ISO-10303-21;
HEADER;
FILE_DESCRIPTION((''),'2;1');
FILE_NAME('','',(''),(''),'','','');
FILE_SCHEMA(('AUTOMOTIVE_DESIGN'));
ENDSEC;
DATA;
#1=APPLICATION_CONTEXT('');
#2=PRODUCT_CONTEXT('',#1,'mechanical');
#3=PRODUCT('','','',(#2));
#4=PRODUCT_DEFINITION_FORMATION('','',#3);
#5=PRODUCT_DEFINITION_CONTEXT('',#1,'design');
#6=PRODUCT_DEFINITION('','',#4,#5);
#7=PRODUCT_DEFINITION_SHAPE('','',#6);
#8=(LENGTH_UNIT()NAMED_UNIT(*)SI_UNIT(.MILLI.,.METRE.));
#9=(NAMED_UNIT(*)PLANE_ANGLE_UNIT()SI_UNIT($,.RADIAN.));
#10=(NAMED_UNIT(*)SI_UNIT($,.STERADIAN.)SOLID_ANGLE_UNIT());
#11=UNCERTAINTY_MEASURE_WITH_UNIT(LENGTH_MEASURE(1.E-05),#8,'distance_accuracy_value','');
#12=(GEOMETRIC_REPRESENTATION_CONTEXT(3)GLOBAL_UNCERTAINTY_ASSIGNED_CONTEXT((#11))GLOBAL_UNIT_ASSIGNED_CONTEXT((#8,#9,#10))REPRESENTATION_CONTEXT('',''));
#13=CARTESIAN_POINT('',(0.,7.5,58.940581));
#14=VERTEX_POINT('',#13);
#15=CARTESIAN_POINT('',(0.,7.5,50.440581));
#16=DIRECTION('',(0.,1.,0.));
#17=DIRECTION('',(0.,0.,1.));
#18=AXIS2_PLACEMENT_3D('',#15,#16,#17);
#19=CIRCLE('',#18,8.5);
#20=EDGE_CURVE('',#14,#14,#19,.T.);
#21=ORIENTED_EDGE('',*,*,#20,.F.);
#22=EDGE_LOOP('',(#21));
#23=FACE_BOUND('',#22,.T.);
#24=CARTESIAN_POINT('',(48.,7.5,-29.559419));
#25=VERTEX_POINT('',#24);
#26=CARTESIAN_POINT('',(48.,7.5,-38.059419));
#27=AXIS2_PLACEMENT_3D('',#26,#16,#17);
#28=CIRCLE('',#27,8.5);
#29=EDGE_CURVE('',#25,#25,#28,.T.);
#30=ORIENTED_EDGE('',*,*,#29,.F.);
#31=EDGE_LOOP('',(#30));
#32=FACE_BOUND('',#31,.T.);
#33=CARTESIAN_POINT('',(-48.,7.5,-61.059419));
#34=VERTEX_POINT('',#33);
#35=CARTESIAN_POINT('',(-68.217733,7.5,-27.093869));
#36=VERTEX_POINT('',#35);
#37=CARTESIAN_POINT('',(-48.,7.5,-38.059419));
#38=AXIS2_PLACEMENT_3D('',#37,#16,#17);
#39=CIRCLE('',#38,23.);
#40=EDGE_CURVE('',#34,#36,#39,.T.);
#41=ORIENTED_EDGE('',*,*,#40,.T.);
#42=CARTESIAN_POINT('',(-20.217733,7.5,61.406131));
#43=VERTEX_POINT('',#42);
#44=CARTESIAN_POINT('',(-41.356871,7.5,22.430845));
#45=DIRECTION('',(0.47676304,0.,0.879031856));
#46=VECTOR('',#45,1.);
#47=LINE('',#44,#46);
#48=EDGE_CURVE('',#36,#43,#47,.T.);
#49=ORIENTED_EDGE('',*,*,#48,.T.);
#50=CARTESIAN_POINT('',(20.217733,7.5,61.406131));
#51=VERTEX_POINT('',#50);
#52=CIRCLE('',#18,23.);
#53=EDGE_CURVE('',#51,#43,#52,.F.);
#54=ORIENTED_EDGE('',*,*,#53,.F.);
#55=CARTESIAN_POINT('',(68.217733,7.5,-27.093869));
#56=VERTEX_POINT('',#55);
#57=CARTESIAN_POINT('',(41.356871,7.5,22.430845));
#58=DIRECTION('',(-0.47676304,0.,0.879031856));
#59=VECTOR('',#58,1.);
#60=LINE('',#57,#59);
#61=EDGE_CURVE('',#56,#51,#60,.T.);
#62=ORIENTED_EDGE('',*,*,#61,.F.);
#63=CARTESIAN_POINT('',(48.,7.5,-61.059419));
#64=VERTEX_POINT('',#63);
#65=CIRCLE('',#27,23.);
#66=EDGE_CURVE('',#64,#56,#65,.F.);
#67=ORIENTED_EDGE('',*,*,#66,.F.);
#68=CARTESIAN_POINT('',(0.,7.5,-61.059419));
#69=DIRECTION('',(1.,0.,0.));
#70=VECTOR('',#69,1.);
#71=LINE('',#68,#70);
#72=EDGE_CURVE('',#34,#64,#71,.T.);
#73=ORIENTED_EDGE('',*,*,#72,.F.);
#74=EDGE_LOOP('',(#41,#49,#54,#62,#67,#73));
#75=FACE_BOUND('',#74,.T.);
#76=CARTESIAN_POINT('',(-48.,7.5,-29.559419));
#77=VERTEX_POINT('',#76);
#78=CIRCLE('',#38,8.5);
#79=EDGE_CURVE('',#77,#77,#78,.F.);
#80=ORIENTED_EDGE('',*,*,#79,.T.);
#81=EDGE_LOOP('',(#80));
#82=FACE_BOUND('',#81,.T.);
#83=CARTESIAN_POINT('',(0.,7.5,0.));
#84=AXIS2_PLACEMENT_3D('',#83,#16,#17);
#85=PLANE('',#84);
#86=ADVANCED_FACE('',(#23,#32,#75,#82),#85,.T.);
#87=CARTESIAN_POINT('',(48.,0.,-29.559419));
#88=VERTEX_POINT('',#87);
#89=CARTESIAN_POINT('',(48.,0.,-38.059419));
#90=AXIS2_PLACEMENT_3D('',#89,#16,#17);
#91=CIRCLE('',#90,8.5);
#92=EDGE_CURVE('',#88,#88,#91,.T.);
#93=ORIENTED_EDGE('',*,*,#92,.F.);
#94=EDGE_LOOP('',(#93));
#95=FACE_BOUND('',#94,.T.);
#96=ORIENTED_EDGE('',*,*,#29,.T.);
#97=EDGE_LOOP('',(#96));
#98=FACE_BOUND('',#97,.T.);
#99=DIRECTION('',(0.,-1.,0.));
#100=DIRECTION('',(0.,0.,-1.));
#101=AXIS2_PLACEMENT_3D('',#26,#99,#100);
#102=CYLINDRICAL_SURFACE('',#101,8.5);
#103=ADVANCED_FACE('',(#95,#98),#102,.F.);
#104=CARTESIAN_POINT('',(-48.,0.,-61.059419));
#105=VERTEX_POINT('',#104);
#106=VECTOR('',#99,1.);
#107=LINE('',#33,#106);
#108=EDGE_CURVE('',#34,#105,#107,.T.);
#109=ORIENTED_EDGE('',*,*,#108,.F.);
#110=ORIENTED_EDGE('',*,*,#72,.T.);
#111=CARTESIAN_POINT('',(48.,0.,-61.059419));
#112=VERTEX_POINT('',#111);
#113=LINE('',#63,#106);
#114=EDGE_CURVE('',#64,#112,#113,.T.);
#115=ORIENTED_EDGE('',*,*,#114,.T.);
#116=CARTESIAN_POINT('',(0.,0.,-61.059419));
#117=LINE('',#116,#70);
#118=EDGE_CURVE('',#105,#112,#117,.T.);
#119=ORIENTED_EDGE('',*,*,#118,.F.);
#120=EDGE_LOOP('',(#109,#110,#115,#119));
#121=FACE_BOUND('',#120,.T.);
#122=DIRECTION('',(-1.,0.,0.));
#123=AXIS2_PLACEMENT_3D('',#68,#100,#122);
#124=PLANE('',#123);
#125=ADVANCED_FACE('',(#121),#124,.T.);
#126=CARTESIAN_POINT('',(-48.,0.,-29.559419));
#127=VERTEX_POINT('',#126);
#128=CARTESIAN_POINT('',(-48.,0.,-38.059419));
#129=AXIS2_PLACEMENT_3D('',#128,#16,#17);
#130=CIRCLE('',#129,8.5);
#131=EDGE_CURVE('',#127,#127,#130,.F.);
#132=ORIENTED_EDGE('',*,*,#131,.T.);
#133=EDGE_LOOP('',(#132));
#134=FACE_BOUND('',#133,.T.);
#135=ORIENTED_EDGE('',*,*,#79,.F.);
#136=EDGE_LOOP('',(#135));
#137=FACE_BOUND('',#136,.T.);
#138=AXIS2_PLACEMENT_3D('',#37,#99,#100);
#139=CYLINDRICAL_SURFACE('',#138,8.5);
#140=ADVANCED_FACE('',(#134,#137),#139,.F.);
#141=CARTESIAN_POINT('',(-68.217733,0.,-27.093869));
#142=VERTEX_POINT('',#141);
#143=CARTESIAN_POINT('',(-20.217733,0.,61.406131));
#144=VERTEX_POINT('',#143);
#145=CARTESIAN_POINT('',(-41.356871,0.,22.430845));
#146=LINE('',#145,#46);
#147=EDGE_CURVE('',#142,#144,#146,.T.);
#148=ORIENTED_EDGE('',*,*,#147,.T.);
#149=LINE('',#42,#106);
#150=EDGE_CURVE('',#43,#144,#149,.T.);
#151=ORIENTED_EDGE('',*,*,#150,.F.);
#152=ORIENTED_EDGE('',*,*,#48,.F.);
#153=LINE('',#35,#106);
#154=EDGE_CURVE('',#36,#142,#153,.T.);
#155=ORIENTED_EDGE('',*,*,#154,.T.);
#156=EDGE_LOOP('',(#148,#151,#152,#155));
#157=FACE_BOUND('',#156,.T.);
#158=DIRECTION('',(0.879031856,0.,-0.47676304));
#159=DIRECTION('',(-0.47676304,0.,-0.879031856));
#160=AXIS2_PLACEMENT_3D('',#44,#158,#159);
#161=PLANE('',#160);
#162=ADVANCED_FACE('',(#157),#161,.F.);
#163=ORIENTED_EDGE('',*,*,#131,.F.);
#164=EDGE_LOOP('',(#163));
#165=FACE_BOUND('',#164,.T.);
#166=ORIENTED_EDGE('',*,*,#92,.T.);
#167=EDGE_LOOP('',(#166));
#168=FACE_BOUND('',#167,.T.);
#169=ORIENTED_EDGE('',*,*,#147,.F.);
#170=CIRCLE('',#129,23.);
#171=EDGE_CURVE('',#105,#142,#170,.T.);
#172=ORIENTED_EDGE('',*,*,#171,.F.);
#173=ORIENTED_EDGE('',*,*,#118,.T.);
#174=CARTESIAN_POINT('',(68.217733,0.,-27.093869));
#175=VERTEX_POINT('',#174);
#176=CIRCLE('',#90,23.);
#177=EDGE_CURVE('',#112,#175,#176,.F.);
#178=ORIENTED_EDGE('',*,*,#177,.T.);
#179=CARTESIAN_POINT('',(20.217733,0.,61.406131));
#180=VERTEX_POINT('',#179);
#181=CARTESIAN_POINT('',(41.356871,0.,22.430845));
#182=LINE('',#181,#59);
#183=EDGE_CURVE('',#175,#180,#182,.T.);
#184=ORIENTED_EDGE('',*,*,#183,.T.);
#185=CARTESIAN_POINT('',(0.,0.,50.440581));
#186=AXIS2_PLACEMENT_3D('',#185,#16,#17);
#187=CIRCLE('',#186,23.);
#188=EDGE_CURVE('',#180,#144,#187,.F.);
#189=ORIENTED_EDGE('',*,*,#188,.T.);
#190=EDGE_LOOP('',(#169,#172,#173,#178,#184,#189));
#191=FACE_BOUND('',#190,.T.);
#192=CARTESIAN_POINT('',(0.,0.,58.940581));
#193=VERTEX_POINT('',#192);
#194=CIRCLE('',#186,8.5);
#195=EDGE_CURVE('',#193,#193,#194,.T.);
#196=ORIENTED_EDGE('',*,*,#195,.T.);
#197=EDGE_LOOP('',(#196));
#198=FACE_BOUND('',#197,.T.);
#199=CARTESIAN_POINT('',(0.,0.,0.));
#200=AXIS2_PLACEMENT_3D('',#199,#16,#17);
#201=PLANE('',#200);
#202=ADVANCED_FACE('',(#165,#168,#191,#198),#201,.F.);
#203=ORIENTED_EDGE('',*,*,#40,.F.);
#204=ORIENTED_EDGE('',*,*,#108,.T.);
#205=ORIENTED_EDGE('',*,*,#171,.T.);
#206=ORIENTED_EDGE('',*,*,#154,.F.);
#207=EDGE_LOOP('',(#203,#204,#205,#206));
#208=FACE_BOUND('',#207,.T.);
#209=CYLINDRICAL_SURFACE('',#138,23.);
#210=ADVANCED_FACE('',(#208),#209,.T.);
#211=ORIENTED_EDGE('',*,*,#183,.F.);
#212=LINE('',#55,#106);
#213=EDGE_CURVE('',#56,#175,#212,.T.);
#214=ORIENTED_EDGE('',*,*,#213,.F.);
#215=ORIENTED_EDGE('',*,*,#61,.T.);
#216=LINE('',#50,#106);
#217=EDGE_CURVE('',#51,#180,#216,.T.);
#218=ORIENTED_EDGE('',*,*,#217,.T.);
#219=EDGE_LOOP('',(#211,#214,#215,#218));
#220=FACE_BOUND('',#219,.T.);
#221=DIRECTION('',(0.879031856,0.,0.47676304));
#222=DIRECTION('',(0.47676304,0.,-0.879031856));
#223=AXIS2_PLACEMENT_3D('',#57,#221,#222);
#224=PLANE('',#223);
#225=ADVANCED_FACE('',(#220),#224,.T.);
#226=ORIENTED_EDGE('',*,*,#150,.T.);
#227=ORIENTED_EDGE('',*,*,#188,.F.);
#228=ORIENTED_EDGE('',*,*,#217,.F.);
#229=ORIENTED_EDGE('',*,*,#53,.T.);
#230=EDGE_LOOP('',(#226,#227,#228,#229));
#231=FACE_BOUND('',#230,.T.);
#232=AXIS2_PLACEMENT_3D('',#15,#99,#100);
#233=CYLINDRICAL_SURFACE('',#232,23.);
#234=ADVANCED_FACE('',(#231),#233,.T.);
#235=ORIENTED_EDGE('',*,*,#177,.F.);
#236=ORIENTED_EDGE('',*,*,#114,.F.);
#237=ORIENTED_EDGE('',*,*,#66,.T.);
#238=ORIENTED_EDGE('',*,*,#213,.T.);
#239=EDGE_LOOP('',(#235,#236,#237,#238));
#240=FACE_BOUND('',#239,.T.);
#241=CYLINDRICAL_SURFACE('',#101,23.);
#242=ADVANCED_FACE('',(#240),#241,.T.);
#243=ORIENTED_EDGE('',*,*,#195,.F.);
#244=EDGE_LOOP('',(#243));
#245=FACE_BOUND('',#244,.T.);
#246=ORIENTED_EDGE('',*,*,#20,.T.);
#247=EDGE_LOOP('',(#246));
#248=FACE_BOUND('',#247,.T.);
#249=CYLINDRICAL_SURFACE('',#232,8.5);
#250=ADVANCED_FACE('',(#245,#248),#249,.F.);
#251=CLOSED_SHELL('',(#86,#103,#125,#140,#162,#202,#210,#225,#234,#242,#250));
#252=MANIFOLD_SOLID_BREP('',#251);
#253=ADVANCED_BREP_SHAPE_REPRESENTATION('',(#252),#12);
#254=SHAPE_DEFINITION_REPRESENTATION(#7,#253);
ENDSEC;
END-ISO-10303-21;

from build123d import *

# Parameters (mm, degrees)
SKETCH2_R           = 8.5
BOSS_EXTRUDE1_DEPTH = 7.5


with BuildPart() as part:
    # Sketch2 → Boss-Extrude1 (new body)
    with BuildSketch(Plane(origin=(0, 0, 0), x_dir=(1, 0, 0), z_dir=(0, 1, 0))):
        with BuildLine():
            Line((-48, 61.059418618), (48, 61.059418618))
            ThreePointArc((48, 61.059418618), (67.763699658, 49.82360902), (68.217732681, 27.093868689))
            Line((68.217732681, 27.093868689), (20.217732681, -61.406131311))
            ThreePointArc((20.217732681, -61.406131311), (0, -73.440581382), (-20.217732681, -61.406131311))
            Line((-20.217732681, -61.406131311), (-68.217732681, 27.093868689))
            ThreePointArc((-68.217732681, 27.093868689), (-67.763699658, 49.82360902), (-48, 61.059418618))
        make_face()
        with Locations(Location((48, 38.059418618, 0), (0, 0, 270))):
            Circle(SKETCH2_R, mode=Mode.SUBTRACT)
        with Locations(Location((0, -50.440581382, 0), (0, 0, 270))):
            Circle(SKETCH2_R, mode=Mode.SUBTRACT)
        with Locations(Location((-48, 38.059418618, 0), (0, 0, 270))):
            Circle(SKETCH2_R, mode=Mode.SUBTRACT)
    extrude(amount=BOSS_EXTRUDE1_DEPTH)


solid = part.part
